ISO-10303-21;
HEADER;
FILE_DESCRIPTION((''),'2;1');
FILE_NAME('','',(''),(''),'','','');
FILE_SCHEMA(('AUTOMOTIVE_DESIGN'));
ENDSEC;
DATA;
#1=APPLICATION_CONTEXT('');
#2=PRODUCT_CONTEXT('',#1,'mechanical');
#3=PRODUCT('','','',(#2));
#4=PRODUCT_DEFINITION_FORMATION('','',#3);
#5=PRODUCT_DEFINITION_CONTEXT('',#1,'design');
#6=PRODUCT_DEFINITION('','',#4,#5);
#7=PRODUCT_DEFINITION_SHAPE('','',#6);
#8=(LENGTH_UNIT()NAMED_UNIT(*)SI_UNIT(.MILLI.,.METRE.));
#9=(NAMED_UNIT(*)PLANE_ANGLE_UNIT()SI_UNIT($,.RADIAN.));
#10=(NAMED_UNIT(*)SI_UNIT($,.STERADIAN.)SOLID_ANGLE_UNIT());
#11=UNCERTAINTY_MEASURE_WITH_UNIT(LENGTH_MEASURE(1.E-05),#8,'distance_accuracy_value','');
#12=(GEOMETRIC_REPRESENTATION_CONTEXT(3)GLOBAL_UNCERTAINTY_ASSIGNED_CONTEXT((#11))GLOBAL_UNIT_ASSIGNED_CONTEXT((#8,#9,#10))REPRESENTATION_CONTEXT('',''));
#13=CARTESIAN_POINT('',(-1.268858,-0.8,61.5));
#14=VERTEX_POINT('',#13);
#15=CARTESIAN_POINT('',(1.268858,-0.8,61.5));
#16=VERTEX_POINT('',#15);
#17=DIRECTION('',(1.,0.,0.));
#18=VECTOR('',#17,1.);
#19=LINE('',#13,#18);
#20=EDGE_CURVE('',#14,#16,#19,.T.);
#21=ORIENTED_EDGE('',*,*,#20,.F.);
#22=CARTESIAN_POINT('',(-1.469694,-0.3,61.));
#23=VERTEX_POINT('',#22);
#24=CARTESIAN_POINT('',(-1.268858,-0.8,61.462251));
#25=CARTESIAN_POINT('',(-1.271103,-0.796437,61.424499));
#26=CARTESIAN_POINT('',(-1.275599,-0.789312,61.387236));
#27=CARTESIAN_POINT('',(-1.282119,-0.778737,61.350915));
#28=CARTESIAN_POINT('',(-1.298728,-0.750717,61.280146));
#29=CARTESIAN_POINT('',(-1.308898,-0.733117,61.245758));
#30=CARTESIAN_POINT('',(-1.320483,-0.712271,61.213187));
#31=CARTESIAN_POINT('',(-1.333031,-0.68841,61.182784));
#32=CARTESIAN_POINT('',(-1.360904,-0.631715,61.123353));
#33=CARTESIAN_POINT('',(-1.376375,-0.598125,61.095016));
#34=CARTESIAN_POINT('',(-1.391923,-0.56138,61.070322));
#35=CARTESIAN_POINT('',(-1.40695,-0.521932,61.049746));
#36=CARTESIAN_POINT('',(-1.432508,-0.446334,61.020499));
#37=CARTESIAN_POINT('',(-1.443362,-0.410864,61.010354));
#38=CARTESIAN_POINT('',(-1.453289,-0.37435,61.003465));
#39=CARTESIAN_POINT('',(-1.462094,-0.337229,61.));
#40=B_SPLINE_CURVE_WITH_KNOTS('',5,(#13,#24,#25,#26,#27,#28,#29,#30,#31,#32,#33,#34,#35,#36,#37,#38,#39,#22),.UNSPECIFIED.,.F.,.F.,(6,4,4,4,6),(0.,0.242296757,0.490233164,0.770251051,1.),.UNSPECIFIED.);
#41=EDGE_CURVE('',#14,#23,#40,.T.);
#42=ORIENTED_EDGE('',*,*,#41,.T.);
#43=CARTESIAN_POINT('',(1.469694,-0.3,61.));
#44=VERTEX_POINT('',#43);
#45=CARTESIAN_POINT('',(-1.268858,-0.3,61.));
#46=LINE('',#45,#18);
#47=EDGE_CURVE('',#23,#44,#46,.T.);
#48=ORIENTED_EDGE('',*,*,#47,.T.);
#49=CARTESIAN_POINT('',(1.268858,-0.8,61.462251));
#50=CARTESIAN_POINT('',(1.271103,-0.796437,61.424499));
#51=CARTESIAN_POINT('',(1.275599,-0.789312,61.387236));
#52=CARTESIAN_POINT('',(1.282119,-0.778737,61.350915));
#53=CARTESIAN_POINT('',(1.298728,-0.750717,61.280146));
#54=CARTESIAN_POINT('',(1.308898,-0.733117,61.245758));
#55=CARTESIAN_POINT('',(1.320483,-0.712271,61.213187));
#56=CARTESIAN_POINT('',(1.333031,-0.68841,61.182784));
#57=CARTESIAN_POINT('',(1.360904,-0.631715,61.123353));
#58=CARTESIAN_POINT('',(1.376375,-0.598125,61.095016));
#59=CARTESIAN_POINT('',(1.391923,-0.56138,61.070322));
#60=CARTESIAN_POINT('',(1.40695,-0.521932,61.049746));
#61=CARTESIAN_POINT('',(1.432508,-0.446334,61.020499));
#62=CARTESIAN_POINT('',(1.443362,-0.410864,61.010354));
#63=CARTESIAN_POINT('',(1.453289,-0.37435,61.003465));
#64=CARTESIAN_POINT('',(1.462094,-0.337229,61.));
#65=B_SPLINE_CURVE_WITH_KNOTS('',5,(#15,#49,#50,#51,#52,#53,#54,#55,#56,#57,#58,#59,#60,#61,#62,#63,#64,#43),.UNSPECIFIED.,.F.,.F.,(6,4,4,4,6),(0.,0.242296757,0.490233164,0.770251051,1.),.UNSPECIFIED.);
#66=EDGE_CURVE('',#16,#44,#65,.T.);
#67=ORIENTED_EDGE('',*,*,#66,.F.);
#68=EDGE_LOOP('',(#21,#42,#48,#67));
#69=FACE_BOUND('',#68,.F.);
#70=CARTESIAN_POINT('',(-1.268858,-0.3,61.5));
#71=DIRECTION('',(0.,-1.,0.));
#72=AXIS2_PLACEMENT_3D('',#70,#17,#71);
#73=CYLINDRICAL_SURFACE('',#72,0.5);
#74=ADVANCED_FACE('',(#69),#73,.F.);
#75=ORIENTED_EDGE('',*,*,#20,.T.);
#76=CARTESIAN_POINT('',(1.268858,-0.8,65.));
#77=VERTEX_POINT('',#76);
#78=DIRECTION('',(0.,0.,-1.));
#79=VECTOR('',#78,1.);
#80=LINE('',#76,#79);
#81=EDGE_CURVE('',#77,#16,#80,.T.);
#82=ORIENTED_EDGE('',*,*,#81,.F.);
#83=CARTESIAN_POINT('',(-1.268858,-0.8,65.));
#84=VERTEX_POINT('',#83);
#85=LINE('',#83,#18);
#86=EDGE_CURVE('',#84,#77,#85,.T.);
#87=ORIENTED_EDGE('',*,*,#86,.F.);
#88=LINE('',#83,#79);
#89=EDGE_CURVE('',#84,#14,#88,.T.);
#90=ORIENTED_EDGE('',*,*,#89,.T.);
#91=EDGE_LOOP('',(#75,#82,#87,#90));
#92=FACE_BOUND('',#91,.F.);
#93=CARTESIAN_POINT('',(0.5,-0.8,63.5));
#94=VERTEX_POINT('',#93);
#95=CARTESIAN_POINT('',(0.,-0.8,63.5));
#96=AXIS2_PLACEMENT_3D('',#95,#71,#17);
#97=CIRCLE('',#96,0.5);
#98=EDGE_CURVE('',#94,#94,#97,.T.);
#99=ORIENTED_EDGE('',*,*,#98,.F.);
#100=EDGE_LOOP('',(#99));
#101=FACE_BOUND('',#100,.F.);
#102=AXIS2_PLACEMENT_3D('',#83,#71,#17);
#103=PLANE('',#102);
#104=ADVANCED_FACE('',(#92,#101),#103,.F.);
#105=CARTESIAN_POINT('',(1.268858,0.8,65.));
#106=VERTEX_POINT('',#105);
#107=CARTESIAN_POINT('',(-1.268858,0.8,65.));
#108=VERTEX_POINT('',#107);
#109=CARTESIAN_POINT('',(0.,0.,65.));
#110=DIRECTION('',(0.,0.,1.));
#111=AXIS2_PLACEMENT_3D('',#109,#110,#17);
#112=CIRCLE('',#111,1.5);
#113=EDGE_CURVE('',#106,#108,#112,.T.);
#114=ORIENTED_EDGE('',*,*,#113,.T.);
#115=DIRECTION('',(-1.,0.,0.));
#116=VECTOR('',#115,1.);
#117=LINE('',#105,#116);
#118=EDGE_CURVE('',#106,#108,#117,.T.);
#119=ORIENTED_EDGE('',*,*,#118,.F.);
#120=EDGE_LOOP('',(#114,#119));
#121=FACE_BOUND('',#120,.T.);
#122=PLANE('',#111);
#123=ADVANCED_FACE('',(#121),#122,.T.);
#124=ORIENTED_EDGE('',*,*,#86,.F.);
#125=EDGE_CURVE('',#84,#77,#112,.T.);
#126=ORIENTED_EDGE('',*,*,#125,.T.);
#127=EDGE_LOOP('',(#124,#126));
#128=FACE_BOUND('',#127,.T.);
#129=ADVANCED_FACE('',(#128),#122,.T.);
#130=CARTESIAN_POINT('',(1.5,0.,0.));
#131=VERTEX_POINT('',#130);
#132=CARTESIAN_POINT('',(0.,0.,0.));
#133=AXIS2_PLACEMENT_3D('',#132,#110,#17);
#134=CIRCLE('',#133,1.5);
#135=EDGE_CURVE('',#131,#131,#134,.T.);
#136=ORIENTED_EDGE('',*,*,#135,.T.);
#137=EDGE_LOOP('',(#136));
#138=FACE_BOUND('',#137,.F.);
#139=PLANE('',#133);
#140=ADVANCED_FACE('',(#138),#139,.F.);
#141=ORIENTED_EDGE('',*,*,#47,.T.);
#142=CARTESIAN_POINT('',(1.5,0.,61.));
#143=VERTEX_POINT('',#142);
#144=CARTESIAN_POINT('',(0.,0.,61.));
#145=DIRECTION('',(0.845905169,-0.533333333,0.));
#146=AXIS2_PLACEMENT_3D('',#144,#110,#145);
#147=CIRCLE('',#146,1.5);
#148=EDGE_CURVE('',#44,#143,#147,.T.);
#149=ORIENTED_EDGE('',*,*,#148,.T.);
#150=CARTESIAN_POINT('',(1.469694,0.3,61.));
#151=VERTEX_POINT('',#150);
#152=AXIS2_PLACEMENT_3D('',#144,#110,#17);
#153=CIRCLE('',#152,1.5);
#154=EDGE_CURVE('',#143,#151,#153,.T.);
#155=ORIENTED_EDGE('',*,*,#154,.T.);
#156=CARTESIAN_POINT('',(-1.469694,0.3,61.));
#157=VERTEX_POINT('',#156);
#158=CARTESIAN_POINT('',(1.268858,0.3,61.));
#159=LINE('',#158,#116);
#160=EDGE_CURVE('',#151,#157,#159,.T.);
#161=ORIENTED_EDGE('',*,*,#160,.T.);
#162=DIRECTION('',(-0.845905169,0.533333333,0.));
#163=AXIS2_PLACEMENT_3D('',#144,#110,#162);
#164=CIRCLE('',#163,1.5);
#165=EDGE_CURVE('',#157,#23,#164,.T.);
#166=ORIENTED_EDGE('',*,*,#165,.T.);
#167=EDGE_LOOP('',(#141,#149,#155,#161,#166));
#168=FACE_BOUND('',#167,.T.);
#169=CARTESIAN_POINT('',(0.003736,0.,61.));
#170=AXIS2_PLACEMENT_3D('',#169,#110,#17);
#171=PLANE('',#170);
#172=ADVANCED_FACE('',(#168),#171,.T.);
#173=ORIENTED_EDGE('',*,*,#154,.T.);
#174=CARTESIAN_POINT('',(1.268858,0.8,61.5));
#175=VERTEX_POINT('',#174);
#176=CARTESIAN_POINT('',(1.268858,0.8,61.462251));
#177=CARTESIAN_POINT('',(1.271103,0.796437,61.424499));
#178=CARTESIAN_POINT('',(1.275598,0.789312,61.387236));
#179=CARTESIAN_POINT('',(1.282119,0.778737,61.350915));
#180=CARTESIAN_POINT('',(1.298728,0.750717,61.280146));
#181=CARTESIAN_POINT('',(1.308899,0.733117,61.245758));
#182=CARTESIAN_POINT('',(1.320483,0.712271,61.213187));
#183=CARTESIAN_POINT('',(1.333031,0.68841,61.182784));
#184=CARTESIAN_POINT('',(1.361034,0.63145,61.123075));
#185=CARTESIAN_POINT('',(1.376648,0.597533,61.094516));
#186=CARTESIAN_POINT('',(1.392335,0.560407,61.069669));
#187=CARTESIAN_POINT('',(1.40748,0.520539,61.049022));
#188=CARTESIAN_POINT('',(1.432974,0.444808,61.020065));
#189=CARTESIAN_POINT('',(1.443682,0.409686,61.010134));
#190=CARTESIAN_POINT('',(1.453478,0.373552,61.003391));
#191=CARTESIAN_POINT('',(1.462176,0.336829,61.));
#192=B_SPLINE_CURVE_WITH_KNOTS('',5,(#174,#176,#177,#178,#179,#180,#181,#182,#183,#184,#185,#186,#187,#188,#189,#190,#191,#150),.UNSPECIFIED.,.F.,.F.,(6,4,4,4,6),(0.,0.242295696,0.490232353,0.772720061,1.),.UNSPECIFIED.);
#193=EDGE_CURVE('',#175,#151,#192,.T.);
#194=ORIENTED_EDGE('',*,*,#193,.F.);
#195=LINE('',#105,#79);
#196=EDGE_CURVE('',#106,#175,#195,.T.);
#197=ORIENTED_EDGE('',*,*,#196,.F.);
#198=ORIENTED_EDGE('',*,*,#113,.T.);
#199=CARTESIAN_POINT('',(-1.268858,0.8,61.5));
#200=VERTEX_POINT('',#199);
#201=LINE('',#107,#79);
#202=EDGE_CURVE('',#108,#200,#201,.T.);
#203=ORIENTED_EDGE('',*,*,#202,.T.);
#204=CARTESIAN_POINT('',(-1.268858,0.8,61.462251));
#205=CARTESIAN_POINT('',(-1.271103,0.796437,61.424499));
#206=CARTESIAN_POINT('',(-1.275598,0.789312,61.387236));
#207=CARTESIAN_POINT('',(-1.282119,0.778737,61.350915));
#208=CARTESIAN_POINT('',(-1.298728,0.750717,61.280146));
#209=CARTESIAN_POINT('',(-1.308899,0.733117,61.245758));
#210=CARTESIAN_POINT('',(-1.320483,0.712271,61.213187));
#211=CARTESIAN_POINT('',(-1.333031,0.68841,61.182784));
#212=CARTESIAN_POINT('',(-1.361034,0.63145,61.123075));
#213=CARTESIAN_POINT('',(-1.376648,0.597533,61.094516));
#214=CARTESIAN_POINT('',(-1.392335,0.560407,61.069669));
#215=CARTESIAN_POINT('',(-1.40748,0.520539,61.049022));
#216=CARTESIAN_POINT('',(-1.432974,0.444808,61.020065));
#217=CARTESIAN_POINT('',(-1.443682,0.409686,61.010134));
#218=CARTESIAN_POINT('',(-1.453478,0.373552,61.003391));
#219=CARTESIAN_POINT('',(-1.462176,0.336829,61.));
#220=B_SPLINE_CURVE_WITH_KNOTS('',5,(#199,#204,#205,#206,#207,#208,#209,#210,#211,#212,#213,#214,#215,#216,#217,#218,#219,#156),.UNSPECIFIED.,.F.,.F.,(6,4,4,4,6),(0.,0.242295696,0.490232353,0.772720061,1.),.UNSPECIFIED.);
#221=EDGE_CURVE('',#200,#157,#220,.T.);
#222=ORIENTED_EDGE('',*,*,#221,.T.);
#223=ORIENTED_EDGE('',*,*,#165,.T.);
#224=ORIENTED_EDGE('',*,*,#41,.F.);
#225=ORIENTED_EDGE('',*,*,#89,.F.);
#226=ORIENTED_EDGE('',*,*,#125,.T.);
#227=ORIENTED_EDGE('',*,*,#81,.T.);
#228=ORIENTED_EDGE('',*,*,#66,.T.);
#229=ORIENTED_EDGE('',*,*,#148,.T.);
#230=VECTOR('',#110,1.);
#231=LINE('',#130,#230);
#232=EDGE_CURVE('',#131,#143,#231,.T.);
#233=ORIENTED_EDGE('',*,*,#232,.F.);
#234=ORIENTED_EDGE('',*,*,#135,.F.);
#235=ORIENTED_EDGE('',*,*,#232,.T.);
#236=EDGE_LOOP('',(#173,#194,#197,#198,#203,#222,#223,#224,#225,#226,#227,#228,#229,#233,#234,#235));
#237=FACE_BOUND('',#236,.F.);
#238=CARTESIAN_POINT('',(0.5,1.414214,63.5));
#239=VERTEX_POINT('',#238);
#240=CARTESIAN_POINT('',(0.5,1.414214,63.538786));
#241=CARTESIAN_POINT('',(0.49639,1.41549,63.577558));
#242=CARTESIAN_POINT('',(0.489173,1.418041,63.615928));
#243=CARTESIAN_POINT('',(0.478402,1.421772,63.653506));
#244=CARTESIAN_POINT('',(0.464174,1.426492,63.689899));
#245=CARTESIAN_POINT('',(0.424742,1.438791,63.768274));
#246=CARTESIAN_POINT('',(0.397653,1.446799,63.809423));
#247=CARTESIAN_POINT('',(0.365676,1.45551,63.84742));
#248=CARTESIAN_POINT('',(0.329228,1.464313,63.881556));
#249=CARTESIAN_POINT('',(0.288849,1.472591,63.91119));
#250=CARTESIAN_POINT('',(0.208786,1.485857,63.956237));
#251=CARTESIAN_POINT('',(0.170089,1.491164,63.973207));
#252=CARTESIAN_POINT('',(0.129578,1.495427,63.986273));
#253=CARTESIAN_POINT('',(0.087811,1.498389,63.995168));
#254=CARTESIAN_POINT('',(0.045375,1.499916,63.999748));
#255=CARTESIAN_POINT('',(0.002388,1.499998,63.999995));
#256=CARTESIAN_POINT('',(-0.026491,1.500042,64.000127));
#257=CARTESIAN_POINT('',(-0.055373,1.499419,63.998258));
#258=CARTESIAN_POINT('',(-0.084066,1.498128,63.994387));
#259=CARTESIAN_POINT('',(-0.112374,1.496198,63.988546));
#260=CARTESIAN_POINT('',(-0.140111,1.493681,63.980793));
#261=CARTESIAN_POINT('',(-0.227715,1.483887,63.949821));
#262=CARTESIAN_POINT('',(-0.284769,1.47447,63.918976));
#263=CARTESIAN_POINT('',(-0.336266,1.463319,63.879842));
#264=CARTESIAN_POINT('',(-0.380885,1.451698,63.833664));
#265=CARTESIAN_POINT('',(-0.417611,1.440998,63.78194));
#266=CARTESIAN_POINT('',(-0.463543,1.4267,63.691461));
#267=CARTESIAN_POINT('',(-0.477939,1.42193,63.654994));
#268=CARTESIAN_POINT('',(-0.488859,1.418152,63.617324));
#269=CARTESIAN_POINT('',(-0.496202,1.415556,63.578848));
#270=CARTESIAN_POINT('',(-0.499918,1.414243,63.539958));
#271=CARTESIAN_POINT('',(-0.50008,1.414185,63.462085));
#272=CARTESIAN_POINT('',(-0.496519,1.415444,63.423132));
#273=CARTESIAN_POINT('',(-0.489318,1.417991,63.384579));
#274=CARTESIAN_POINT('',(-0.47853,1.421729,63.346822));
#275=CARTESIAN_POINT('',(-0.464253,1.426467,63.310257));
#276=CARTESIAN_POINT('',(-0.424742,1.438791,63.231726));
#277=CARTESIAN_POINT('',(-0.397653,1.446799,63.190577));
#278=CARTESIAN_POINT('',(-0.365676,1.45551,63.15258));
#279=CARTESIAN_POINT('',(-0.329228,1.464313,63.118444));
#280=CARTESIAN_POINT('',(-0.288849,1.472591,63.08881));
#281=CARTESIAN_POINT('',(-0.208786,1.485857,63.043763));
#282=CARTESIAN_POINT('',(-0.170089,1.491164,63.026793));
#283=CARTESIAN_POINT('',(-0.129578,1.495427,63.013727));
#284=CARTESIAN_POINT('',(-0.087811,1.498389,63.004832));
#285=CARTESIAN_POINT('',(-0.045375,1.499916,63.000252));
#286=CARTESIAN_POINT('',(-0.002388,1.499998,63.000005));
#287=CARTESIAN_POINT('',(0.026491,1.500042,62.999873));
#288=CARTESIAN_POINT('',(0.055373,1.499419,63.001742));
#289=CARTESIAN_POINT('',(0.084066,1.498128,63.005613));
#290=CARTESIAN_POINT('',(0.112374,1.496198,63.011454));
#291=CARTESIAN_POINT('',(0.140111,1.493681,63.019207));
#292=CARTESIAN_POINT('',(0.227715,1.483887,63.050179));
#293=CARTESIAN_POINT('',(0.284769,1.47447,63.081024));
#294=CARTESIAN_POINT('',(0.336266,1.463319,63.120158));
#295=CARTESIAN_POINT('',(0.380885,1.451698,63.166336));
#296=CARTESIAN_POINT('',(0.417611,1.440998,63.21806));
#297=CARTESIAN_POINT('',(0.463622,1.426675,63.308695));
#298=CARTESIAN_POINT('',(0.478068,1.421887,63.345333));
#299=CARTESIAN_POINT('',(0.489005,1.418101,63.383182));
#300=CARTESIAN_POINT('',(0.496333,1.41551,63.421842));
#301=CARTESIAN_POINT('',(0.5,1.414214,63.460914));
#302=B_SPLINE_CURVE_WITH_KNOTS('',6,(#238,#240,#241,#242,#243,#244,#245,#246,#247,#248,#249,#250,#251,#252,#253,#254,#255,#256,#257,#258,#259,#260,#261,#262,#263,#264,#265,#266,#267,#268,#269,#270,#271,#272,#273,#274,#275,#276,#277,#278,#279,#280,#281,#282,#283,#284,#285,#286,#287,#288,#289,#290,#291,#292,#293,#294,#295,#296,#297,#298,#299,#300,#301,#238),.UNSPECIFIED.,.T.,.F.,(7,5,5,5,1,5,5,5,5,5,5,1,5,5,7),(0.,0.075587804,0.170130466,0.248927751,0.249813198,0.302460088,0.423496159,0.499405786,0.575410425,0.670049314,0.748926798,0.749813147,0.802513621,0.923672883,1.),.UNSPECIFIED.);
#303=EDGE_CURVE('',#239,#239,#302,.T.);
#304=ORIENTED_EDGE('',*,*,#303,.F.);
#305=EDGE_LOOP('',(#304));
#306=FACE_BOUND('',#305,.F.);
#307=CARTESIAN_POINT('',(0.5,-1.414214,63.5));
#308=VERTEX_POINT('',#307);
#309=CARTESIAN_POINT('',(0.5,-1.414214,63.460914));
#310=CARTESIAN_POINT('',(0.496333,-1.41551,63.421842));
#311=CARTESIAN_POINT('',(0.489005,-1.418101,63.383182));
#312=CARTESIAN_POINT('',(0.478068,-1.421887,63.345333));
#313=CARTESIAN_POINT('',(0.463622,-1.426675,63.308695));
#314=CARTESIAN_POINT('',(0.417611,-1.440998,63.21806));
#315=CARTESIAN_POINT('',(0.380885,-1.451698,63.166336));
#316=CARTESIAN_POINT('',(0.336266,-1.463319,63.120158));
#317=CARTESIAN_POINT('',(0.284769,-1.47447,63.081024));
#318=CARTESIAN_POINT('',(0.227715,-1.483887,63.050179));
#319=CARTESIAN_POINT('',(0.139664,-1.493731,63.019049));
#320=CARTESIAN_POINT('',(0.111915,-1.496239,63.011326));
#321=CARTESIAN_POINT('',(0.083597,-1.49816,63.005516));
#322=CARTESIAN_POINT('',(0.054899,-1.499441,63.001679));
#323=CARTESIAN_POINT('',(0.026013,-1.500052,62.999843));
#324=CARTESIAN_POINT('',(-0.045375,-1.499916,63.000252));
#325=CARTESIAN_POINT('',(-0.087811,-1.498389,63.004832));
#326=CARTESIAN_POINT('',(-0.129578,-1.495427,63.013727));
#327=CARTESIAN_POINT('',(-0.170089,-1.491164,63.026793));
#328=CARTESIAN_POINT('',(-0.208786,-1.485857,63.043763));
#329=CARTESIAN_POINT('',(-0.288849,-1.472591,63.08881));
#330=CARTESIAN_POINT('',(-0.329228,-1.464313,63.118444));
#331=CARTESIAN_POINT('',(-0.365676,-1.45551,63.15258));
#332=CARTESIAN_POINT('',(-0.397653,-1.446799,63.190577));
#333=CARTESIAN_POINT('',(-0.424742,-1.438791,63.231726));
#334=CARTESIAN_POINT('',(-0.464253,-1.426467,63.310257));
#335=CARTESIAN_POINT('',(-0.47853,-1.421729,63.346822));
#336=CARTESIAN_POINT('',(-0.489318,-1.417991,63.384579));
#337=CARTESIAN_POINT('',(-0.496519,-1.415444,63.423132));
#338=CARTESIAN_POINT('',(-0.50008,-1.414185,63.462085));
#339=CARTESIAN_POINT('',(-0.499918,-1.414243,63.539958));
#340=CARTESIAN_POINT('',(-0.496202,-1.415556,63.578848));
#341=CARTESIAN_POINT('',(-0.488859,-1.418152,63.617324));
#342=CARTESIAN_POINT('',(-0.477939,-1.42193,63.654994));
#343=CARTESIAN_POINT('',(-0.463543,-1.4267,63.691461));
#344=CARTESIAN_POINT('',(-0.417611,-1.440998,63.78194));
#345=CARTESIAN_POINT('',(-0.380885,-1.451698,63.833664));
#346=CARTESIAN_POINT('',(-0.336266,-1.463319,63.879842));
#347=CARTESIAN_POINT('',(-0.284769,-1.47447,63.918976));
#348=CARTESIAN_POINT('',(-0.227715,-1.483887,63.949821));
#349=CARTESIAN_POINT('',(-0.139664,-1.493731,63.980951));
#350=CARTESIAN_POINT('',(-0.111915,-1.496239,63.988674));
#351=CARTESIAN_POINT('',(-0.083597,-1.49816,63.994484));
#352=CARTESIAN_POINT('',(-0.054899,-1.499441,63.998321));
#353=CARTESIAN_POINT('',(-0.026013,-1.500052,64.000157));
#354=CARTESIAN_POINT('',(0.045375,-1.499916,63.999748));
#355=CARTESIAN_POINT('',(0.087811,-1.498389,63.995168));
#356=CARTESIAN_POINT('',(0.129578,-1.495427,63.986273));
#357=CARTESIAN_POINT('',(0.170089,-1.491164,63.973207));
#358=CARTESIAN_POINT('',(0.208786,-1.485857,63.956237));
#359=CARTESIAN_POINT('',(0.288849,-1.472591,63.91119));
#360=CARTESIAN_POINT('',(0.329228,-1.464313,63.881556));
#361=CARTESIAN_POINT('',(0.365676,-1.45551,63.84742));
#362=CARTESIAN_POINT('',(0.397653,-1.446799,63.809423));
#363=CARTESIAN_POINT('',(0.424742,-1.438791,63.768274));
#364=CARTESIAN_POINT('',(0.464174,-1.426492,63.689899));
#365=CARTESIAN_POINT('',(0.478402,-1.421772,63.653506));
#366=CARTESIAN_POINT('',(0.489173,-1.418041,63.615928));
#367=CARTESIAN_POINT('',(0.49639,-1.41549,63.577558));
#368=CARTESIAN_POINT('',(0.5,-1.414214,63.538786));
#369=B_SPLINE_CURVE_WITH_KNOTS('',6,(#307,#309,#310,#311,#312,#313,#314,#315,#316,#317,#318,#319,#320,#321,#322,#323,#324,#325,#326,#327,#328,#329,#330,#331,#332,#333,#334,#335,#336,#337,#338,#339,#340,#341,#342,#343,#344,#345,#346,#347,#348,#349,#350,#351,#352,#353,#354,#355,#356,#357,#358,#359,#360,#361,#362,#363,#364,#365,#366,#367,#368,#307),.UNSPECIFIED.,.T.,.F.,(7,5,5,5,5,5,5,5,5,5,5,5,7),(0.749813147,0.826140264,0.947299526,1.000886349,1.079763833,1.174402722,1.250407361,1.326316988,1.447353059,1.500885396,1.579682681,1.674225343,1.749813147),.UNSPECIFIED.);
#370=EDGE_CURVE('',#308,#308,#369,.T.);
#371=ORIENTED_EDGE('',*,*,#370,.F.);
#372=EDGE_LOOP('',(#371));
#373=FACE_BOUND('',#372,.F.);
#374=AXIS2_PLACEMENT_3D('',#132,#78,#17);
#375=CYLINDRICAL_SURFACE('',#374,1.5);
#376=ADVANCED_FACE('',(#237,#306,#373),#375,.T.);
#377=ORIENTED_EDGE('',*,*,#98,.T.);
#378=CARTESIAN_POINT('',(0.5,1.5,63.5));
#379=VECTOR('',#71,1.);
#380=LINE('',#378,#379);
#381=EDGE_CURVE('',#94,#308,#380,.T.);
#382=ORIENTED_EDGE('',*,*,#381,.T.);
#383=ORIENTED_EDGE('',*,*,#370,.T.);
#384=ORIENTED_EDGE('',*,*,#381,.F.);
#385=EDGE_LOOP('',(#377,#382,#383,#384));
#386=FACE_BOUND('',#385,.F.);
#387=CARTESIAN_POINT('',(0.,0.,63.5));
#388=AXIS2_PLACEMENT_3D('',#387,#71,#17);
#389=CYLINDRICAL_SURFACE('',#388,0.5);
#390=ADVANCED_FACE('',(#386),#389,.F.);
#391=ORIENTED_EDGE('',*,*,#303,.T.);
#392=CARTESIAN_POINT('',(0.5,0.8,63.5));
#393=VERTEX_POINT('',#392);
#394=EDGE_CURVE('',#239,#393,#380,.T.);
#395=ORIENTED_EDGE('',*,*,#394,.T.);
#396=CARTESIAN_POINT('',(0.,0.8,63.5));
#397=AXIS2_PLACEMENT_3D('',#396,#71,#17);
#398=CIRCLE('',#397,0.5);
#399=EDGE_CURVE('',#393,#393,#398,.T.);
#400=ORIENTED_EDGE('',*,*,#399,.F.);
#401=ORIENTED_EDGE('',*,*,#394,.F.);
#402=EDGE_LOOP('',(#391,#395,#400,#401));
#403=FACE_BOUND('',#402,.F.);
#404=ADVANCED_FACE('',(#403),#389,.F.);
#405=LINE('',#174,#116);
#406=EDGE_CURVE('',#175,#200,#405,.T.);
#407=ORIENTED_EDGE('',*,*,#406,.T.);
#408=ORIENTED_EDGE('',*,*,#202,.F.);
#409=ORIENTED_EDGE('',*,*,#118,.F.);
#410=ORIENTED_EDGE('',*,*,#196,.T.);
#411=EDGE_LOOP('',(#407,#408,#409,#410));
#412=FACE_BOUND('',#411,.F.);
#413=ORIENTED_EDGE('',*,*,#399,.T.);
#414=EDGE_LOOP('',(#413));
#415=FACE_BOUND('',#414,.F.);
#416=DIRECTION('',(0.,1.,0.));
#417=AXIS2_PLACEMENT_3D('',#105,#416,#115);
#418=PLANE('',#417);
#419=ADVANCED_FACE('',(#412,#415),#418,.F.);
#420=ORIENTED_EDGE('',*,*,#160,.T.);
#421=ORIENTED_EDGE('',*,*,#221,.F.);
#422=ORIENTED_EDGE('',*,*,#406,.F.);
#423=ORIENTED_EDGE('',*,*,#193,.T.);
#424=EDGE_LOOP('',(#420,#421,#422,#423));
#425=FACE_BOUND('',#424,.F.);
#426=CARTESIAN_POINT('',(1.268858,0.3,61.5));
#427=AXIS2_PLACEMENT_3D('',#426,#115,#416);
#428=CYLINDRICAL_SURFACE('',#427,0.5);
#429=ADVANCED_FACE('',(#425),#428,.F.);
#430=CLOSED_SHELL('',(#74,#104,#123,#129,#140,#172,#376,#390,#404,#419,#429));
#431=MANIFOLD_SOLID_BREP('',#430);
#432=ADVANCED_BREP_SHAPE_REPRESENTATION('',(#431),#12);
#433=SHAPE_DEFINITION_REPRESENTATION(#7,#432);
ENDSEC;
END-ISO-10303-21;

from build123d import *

# Parameters (mm, degrees)
F0_R     = 1.5
F1_DEPTH = 65
F3_DEPTH = 4
F4_R     = 0.5
F5_DEPTH = 1.5
F6_R     = 0.5


with BuildPart() as f1:
    # F0 (on Top) → F1 (new body)
    with BuildSketch(Plane.XY):
        Circle(F0_R)
    extrude(amount=F1_DEPTH)

    # F2 (on face) → F3 (cut)
    with BuildSketch(Plane.XY.offset(65)):
        with BuildLine():
            Line((1.268857754, 0.8), (-1.268857754, 0.8))
            ThreePointArc((-1.268857754, 0.8), (-1.5, 0), (-1.268857754, -0.8))
            Line((-1.268857754, -0.8), (1.268857754, -0.8))
            ThreePointArc((1.268857754, -0.8), (1.4410563193, -0.4163612428), (1.5, 0))
            ThreePointArc((1.5, 0), (1.4410563193, 0.4163612428), (1.268857754, 0.8))
        make_face()
    extrude(amount=-F3_DEPTH, mode=Mode.SUBTRACT)

    # F4 (on Front) → F5 (cut, symmetric)
    with BuildSketch(Plane.XZ):
        with Locations((0, 63.5)):
            Circle(F4_R)
    extrude(amount=F5_DEPTH, both=True, mode=Mode.SUBTRACT)

    # F6
    f6_edges = [f1.edges().sort_by_distance(p)[0] for p in [
        (0, -0.8, 61),
        (0, 0.8, 61),
    ]]
    fillet(f6_edges, radius=F6_R)


solid = f1.part
